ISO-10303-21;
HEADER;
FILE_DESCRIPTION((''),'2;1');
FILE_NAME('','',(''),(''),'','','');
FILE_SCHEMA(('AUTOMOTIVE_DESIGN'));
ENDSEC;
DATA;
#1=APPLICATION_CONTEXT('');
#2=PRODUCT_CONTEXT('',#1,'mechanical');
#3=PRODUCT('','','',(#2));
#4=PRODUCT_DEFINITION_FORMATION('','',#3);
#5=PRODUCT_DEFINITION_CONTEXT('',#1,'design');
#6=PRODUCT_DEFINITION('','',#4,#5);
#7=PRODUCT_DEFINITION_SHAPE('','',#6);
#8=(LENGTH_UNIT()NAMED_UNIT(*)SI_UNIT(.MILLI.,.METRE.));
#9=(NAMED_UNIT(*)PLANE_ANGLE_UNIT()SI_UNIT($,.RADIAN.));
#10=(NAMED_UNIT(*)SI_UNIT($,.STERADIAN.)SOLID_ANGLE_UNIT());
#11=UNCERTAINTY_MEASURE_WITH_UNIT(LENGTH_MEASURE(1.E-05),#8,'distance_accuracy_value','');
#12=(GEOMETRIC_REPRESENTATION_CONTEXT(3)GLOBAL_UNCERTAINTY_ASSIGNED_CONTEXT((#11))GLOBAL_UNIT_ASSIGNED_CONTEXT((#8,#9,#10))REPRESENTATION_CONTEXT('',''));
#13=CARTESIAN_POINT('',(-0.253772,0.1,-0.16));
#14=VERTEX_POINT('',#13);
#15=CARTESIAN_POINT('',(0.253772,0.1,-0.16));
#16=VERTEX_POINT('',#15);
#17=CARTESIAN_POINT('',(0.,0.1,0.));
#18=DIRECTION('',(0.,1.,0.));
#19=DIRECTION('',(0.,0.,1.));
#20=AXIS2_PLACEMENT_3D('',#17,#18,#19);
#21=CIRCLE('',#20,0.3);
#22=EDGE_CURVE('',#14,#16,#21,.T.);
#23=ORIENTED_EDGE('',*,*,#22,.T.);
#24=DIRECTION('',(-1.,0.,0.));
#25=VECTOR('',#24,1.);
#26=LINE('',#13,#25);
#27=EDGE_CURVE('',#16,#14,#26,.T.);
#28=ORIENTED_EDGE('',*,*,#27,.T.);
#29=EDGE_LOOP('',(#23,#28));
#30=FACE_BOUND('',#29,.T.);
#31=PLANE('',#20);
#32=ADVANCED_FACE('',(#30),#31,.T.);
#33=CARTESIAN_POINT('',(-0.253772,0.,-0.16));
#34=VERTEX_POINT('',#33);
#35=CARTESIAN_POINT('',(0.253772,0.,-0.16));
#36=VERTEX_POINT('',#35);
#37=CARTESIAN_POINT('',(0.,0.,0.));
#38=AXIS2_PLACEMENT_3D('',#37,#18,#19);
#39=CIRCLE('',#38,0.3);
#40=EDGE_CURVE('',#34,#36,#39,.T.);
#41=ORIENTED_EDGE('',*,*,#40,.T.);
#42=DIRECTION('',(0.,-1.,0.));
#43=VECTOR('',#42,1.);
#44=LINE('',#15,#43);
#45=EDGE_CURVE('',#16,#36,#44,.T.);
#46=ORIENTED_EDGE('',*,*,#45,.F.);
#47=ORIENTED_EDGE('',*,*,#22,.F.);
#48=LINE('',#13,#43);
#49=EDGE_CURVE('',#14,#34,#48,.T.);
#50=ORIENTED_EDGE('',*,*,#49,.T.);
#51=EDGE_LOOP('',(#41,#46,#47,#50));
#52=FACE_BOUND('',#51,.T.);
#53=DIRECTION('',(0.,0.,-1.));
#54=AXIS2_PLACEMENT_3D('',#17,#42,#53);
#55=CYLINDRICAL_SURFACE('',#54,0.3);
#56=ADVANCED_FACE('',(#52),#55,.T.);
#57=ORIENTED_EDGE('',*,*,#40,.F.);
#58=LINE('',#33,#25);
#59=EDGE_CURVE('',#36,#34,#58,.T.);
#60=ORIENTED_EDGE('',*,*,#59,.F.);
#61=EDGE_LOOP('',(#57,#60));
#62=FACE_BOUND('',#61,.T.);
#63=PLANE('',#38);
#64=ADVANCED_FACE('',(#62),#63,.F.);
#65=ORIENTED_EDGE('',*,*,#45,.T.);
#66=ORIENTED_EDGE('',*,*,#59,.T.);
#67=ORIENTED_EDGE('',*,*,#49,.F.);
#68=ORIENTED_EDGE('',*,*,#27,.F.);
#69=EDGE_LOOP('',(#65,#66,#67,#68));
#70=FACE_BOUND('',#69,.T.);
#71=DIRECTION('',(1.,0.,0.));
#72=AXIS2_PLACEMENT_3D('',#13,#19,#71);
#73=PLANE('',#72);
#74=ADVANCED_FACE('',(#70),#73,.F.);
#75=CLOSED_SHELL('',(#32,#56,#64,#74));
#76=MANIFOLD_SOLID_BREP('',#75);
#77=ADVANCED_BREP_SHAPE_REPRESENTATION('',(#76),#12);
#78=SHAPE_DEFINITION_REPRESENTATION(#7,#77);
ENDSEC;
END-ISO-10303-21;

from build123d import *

# Parameters (mm, degrees)
BOSS_EXTRUDE1_DEPTH = 0.1


with BuildPart() as part:
    # Sketch1 → Boss-Extrude1 (new body)
    with BuildSketch(Plane(origin=(0, 0, 0), x_dir=(1, 0, 0), z_dir=(0, 1, 0))):
        with BuildLine():
            Line((-0.253771551, 0.16), (0.253771551, 0.16))
            ThreePointArc((0.253771551, 0.16), (0, -0.3), (-0.253771551, 0.16))
        make_face()
    extrude(amount=BOSS_EXTRUDE1_DEPTH)


solid = part.part
